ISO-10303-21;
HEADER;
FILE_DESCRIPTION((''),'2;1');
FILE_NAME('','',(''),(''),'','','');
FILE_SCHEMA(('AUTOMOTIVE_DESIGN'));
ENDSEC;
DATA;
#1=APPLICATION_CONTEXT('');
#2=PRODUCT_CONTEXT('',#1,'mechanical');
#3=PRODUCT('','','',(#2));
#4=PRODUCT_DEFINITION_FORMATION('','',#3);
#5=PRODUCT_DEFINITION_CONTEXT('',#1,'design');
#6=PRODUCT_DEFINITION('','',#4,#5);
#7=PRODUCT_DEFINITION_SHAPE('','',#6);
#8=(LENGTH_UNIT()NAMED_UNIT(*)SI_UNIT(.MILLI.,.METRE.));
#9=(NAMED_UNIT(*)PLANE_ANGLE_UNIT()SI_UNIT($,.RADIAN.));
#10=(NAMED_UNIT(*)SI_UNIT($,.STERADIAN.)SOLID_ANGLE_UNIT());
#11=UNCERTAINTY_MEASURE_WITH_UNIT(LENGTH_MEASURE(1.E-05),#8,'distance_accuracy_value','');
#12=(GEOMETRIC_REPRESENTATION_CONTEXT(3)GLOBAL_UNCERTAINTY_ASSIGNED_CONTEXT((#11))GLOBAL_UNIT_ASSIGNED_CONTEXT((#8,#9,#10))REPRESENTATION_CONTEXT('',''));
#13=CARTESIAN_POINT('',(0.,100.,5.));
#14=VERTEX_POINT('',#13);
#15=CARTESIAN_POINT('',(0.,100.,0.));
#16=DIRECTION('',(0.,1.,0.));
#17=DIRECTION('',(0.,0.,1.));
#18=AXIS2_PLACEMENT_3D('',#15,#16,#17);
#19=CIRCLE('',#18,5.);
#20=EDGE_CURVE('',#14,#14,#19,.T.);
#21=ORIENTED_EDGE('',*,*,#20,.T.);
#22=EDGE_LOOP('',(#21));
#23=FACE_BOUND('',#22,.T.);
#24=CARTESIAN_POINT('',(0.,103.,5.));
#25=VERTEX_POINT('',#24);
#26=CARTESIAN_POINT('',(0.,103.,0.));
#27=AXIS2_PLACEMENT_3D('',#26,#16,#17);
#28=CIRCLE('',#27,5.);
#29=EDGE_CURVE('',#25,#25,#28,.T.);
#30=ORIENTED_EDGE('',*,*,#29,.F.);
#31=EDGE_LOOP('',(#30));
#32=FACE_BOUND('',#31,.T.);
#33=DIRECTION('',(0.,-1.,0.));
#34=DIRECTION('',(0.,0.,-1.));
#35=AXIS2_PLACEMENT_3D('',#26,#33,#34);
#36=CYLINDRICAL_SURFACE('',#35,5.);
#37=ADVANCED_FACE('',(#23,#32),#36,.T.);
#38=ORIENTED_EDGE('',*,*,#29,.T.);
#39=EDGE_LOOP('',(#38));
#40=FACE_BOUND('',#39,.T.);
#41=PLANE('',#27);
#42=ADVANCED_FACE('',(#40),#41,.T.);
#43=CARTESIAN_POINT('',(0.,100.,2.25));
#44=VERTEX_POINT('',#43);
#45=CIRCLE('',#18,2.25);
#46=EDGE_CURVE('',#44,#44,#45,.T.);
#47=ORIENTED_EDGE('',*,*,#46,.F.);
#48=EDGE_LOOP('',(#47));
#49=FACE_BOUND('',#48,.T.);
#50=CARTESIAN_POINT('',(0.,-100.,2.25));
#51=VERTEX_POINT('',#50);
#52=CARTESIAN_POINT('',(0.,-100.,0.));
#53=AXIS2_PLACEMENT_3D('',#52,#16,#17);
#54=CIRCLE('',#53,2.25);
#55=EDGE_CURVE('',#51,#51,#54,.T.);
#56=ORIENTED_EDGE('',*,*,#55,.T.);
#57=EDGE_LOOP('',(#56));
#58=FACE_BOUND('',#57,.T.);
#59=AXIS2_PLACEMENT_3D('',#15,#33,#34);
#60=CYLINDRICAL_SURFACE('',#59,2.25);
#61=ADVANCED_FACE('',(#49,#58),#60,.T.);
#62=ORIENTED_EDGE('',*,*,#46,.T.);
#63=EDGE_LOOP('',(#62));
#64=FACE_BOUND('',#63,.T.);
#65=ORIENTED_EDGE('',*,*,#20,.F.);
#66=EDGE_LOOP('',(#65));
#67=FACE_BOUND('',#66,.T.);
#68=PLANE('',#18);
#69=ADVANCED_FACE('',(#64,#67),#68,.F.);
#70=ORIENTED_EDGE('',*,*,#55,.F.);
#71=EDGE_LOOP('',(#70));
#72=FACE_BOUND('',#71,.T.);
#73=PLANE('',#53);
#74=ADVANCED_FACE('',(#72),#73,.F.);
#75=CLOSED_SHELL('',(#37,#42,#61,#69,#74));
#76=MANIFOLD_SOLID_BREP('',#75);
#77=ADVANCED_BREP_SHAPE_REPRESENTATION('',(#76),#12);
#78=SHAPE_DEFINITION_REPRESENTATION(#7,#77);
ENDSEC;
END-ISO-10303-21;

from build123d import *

# Parameters (mm, degrees)
SKETCH1_R           = 2.25
BOSS_EXTRUDE1_DEPTH = 100
SKETCH2_R           = 5
BOSS_EXTRUDE2_DEPTH = 3


with BuildPart() as part:
    # Sketch1 → Boss-Extrude1 (new, symmetric)
    with BuildSketch(Plane(origin=(0, 0, 0), x_dir=(1, 0, 0), z_dir=(0, 1, 0))):
        with Locations(Location((0, 0, 0), (0, 0, 270))):
            Circle(SKETCH1_R)
    extrude(amount=BOSS_EXTRUDE1_DEPTH, both=True)

    # Sketch2 → Boss-Extrude2 (add)
    with BuildSketch(Plane(origin=(0, 100, 0), x_dir=(1, 0, 0), z_dir=(0, 1, 0))):
        with Locations(Location((0, 0, 0), (0, 0, 270))):
            Circle(SKETCH2_R)
    extrude(amount=BOSS_EXTRUDE2_DEPTH)


solid = part.part
